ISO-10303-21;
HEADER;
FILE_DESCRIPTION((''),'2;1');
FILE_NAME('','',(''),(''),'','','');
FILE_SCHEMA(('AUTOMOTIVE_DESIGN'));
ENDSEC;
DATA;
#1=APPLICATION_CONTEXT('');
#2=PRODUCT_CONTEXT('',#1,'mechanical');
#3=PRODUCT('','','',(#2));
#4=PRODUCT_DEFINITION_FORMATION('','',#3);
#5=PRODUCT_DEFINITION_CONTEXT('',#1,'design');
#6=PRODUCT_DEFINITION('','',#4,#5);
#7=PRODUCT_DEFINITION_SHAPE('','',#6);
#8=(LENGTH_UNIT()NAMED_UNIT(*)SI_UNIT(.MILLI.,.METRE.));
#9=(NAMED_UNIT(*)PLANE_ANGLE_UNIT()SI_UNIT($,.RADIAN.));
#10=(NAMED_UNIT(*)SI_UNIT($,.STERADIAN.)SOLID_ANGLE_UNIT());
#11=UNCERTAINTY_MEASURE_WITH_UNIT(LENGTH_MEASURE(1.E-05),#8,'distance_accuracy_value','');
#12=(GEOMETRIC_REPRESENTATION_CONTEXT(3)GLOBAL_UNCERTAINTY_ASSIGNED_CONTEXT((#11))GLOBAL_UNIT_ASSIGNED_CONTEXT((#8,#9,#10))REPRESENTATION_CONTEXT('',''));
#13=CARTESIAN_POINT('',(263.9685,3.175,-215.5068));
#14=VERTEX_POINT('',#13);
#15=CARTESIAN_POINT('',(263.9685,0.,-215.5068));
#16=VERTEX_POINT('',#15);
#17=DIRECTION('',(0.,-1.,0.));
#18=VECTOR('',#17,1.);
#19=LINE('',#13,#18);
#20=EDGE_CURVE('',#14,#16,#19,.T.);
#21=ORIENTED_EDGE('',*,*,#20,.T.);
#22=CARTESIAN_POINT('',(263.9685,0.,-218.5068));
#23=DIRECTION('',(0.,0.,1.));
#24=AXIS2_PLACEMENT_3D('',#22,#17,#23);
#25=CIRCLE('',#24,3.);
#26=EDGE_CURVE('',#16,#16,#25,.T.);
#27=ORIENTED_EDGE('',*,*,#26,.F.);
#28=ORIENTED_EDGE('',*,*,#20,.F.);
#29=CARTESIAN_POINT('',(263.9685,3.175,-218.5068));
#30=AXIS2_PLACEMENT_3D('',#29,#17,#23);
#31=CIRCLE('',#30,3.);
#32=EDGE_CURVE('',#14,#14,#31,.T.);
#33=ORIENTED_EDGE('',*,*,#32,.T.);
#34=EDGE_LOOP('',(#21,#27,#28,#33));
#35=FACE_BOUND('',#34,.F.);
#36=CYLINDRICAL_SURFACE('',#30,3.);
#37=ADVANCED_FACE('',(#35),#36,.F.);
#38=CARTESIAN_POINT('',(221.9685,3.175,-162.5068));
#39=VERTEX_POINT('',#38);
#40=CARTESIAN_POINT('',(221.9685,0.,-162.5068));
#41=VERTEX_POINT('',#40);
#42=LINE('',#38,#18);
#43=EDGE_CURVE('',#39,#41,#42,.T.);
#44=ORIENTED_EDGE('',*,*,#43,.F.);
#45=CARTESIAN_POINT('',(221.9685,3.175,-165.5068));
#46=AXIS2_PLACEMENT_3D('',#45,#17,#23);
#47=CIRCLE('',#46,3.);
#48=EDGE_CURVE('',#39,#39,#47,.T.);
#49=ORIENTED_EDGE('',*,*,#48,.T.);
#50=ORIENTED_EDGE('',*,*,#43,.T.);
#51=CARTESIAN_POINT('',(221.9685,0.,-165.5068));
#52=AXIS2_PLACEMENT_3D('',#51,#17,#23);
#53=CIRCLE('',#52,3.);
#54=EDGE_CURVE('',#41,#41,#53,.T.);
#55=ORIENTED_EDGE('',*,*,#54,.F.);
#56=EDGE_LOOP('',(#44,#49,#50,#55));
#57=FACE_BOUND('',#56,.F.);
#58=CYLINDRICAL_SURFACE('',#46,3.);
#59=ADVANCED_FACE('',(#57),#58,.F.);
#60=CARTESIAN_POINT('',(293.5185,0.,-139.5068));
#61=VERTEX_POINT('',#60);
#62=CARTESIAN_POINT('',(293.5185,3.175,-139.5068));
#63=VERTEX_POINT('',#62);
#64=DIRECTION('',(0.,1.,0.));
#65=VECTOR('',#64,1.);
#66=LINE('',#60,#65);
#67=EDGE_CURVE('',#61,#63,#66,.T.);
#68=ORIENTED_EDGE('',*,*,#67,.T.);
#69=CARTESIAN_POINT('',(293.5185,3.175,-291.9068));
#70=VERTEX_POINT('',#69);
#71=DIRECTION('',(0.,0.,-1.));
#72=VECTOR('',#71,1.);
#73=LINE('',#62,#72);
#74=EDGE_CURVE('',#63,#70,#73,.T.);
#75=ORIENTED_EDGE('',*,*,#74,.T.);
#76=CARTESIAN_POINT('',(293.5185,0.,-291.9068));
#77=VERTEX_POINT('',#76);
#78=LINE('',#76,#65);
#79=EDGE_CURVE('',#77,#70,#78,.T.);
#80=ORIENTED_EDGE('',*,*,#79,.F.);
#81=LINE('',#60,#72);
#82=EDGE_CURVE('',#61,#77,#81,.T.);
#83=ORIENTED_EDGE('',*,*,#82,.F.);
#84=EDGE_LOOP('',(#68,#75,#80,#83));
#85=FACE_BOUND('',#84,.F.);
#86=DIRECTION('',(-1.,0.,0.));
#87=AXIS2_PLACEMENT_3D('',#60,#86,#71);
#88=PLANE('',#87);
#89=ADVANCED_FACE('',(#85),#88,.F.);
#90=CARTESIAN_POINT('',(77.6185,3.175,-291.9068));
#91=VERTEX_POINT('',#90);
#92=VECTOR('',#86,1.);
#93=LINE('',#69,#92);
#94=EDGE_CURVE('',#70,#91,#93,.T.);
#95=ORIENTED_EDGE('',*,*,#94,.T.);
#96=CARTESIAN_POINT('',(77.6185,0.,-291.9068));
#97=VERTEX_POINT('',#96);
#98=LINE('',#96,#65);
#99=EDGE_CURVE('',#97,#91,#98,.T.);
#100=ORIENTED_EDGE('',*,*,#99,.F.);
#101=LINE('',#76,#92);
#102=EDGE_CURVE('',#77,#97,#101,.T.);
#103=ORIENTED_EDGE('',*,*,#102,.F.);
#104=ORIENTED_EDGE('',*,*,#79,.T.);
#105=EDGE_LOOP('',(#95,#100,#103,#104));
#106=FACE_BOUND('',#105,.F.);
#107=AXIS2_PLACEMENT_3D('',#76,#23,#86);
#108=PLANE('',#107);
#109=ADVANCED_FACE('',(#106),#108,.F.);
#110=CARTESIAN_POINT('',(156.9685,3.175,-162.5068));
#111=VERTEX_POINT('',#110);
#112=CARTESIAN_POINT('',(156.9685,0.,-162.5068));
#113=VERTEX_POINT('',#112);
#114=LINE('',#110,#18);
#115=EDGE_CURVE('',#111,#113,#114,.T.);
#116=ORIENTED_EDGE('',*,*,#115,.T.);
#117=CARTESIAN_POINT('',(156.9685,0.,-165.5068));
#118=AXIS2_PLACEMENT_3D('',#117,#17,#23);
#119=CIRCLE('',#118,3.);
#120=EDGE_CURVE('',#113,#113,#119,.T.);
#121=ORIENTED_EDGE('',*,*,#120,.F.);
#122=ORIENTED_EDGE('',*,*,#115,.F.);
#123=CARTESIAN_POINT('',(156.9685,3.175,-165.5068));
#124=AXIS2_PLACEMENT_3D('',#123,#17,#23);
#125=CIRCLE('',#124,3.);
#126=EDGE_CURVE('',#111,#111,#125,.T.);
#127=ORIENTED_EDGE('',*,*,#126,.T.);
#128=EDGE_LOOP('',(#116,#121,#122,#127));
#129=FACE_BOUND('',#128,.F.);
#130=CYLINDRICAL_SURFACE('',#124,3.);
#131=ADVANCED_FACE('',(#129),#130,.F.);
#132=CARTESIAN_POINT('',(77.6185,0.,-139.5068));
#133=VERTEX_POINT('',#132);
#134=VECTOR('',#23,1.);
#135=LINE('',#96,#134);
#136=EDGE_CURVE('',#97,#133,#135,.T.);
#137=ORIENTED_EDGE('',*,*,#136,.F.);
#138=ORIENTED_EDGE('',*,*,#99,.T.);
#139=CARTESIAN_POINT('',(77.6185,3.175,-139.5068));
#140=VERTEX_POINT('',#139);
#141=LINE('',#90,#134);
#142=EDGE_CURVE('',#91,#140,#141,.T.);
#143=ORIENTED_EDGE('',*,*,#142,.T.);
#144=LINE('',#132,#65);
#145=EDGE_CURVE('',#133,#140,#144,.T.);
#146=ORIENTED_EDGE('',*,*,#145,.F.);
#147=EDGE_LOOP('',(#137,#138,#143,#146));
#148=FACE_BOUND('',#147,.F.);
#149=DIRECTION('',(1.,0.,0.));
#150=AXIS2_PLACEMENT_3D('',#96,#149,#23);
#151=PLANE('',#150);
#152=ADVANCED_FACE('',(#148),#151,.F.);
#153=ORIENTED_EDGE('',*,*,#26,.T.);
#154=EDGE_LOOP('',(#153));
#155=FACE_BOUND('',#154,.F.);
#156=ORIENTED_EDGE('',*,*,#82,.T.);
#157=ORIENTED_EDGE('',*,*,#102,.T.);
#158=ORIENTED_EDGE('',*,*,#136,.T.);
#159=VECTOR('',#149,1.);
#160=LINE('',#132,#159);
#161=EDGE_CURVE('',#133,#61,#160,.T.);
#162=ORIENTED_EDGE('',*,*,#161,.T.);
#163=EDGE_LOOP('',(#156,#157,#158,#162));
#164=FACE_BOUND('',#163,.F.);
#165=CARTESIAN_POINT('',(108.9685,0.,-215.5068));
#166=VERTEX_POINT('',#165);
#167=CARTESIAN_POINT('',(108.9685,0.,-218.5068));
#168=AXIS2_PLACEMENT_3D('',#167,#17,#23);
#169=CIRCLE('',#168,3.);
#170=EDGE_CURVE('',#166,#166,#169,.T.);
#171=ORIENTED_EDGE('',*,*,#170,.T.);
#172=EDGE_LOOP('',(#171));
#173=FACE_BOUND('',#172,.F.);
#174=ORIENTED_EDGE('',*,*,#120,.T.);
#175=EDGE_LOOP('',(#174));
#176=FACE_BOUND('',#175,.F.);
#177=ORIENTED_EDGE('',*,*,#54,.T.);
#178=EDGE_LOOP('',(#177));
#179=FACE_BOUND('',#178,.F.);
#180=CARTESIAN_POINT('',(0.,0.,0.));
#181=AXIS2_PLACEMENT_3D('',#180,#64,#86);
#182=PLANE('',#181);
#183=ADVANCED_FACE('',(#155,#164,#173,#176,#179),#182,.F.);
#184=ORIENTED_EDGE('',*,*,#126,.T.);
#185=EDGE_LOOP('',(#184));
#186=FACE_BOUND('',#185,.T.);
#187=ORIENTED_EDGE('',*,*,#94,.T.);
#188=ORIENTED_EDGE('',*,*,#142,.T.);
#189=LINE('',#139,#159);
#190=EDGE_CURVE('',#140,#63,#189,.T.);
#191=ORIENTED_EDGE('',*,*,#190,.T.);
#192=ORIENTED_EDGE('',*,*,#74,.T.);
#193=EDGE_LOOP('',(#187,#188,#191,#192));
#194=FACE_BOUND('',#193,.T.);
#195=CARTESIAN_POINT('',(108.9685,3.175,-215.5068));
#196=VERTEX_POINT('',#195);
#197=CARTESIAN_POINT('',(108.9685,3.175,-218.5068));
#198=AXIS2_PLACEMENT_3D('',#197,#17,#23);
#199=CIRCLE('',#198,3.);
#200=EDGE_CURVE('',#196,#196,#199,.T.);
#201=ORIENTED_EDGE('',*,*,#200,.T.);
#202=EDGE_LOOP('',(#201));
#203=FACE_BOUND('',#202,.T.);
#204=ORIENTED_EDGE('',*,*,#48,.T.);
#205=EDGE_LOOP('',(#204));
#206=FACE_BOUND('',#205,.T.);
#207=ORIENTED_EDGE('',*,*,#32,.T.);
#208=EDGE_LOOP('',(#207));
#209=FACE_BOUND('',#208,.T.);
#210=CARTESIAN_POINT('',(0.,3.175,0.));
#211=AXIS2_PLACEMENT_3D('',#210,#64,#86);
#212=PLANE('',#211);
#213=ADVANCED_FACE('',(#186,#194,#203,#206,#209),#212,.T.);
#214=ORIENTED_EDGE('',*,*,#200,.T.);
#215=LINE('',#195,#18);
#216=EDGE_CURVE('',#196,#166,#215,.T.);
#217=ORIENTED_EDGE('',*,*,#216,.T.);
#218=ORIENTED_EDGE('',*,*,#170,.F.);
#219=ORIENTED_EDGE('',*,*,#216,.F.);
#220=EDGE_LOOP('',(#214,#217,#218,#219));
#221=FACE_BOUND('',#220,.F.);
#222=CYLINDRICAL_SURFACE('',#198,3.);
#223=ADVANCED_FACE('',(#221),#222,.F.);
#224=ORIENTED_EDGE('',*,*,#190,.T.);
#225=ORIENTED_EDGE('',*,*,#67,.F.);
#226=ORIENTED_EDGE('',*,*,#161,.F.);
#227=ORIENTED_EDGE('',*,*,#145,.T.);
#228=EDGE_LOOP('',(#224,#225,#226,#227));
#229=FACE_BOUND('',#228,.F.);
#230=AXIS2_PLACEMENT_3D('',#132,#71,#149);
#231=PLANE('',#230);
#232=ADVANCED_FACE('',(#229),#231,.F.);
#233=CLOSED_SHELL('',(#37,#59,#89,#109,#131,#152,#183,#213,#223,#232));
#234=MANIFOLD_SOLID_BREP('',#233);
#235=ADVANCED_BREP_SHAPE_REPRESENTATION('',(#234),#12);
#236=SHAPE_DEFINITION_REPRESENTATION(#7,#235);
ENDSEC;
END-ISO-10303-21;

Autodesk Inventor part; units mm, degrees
ref_plane "YZ Plane" through (0, 0, 0) normal (1, 0, 0) x (0, 1, 0)
ref_plane "XZ Plane" through (0, 0, 0) normal (0, 1, 0) x (-1, 0, 0)
ref_plane "XY Plane" through (0, 0, 0) normal (0, 0, 1) x (1, 0, 0)
sketch "Sketch1" plane through (0, 0, 0) normal (0, 1, 0) x (-1, 0, 0)
  line L0 (-77.6185, -139.5068) -> (-293.5185, -139.5068)
  line L1 (-293.5185, -139.5068) -> (-293.5185, -291.9068)
  line L2 (-293.5185, -291.9068) -> (-77.6185, -291.9068)
  line L3 (-77.6185, -291.9068) -> (-77.6185, -139.5068)
  point P0 (0, 0)
  dimension "d0" = 215.9
  dimension "d1" = 152.4
extrude "Extrusion1" add sketch "Sketch1" along normal blind 3.175
sketch "Sketch2" plane through (0, 3.175, 0) normal (0, 1, 0) x (1, 0, 0)
  line L0 (77.6185, 291.9068) -> (77.6185, 139.5068) projected
  line L1 (77.6185, 139.5068) -> (293.5185, 139.5068) projected
  line L2 (293.5185, 139.5068) -> (293.5185, 291.9068) projected
  line L3 (293.5185, 291.9068) -> (77.6185, 291.9068) projected
  point P0 (0, 0)
  point P1 (156.9685, 165.5068)
  point P2 (108.9685, 218.5068)
  point P3 (263.9685, 218.5068)
  point P4 (221.9685, 165.5068)
  dimension "d4" = 144.35
  dimension "d5" = 26
  dimension "d7" = 79
  dimension "d19" = 31.35
  dimension "d20" = 79
  dimension "d21" = 26
  dimension "d22" = 79.35
  dimension "d23" = 186.35
hole "Hole1" at (156.9685, 3.175, -165.5068) at (108.9685, 3.175, -218.5068) at (263.9685, 3.175, -218.5068) at (221.9685, 3.175, -165.5068) direction (0, -1, 0) diameter 6 end through all
sketch "Sketch5" plane through (0, 3.175, 0) normal (0, 1, 0) x (1, 0, 0)
  line L0 (27.3395, 158.0068) -> (376.3264, 158.0068) construction
  line L1 (-38.6381, 238.7068) -> (415.1027, 238.7068) construction
  circle A0 centre (156.9685, 165.5068) radius 3 projected
  circle A1 centre (108.9685, 218.5068) radius 3 projected
  point P0 (0, 0)
  dimension "d45" = 7.5
  dimension "d46" = 20.2
properties part number "track side panel V1.1"
